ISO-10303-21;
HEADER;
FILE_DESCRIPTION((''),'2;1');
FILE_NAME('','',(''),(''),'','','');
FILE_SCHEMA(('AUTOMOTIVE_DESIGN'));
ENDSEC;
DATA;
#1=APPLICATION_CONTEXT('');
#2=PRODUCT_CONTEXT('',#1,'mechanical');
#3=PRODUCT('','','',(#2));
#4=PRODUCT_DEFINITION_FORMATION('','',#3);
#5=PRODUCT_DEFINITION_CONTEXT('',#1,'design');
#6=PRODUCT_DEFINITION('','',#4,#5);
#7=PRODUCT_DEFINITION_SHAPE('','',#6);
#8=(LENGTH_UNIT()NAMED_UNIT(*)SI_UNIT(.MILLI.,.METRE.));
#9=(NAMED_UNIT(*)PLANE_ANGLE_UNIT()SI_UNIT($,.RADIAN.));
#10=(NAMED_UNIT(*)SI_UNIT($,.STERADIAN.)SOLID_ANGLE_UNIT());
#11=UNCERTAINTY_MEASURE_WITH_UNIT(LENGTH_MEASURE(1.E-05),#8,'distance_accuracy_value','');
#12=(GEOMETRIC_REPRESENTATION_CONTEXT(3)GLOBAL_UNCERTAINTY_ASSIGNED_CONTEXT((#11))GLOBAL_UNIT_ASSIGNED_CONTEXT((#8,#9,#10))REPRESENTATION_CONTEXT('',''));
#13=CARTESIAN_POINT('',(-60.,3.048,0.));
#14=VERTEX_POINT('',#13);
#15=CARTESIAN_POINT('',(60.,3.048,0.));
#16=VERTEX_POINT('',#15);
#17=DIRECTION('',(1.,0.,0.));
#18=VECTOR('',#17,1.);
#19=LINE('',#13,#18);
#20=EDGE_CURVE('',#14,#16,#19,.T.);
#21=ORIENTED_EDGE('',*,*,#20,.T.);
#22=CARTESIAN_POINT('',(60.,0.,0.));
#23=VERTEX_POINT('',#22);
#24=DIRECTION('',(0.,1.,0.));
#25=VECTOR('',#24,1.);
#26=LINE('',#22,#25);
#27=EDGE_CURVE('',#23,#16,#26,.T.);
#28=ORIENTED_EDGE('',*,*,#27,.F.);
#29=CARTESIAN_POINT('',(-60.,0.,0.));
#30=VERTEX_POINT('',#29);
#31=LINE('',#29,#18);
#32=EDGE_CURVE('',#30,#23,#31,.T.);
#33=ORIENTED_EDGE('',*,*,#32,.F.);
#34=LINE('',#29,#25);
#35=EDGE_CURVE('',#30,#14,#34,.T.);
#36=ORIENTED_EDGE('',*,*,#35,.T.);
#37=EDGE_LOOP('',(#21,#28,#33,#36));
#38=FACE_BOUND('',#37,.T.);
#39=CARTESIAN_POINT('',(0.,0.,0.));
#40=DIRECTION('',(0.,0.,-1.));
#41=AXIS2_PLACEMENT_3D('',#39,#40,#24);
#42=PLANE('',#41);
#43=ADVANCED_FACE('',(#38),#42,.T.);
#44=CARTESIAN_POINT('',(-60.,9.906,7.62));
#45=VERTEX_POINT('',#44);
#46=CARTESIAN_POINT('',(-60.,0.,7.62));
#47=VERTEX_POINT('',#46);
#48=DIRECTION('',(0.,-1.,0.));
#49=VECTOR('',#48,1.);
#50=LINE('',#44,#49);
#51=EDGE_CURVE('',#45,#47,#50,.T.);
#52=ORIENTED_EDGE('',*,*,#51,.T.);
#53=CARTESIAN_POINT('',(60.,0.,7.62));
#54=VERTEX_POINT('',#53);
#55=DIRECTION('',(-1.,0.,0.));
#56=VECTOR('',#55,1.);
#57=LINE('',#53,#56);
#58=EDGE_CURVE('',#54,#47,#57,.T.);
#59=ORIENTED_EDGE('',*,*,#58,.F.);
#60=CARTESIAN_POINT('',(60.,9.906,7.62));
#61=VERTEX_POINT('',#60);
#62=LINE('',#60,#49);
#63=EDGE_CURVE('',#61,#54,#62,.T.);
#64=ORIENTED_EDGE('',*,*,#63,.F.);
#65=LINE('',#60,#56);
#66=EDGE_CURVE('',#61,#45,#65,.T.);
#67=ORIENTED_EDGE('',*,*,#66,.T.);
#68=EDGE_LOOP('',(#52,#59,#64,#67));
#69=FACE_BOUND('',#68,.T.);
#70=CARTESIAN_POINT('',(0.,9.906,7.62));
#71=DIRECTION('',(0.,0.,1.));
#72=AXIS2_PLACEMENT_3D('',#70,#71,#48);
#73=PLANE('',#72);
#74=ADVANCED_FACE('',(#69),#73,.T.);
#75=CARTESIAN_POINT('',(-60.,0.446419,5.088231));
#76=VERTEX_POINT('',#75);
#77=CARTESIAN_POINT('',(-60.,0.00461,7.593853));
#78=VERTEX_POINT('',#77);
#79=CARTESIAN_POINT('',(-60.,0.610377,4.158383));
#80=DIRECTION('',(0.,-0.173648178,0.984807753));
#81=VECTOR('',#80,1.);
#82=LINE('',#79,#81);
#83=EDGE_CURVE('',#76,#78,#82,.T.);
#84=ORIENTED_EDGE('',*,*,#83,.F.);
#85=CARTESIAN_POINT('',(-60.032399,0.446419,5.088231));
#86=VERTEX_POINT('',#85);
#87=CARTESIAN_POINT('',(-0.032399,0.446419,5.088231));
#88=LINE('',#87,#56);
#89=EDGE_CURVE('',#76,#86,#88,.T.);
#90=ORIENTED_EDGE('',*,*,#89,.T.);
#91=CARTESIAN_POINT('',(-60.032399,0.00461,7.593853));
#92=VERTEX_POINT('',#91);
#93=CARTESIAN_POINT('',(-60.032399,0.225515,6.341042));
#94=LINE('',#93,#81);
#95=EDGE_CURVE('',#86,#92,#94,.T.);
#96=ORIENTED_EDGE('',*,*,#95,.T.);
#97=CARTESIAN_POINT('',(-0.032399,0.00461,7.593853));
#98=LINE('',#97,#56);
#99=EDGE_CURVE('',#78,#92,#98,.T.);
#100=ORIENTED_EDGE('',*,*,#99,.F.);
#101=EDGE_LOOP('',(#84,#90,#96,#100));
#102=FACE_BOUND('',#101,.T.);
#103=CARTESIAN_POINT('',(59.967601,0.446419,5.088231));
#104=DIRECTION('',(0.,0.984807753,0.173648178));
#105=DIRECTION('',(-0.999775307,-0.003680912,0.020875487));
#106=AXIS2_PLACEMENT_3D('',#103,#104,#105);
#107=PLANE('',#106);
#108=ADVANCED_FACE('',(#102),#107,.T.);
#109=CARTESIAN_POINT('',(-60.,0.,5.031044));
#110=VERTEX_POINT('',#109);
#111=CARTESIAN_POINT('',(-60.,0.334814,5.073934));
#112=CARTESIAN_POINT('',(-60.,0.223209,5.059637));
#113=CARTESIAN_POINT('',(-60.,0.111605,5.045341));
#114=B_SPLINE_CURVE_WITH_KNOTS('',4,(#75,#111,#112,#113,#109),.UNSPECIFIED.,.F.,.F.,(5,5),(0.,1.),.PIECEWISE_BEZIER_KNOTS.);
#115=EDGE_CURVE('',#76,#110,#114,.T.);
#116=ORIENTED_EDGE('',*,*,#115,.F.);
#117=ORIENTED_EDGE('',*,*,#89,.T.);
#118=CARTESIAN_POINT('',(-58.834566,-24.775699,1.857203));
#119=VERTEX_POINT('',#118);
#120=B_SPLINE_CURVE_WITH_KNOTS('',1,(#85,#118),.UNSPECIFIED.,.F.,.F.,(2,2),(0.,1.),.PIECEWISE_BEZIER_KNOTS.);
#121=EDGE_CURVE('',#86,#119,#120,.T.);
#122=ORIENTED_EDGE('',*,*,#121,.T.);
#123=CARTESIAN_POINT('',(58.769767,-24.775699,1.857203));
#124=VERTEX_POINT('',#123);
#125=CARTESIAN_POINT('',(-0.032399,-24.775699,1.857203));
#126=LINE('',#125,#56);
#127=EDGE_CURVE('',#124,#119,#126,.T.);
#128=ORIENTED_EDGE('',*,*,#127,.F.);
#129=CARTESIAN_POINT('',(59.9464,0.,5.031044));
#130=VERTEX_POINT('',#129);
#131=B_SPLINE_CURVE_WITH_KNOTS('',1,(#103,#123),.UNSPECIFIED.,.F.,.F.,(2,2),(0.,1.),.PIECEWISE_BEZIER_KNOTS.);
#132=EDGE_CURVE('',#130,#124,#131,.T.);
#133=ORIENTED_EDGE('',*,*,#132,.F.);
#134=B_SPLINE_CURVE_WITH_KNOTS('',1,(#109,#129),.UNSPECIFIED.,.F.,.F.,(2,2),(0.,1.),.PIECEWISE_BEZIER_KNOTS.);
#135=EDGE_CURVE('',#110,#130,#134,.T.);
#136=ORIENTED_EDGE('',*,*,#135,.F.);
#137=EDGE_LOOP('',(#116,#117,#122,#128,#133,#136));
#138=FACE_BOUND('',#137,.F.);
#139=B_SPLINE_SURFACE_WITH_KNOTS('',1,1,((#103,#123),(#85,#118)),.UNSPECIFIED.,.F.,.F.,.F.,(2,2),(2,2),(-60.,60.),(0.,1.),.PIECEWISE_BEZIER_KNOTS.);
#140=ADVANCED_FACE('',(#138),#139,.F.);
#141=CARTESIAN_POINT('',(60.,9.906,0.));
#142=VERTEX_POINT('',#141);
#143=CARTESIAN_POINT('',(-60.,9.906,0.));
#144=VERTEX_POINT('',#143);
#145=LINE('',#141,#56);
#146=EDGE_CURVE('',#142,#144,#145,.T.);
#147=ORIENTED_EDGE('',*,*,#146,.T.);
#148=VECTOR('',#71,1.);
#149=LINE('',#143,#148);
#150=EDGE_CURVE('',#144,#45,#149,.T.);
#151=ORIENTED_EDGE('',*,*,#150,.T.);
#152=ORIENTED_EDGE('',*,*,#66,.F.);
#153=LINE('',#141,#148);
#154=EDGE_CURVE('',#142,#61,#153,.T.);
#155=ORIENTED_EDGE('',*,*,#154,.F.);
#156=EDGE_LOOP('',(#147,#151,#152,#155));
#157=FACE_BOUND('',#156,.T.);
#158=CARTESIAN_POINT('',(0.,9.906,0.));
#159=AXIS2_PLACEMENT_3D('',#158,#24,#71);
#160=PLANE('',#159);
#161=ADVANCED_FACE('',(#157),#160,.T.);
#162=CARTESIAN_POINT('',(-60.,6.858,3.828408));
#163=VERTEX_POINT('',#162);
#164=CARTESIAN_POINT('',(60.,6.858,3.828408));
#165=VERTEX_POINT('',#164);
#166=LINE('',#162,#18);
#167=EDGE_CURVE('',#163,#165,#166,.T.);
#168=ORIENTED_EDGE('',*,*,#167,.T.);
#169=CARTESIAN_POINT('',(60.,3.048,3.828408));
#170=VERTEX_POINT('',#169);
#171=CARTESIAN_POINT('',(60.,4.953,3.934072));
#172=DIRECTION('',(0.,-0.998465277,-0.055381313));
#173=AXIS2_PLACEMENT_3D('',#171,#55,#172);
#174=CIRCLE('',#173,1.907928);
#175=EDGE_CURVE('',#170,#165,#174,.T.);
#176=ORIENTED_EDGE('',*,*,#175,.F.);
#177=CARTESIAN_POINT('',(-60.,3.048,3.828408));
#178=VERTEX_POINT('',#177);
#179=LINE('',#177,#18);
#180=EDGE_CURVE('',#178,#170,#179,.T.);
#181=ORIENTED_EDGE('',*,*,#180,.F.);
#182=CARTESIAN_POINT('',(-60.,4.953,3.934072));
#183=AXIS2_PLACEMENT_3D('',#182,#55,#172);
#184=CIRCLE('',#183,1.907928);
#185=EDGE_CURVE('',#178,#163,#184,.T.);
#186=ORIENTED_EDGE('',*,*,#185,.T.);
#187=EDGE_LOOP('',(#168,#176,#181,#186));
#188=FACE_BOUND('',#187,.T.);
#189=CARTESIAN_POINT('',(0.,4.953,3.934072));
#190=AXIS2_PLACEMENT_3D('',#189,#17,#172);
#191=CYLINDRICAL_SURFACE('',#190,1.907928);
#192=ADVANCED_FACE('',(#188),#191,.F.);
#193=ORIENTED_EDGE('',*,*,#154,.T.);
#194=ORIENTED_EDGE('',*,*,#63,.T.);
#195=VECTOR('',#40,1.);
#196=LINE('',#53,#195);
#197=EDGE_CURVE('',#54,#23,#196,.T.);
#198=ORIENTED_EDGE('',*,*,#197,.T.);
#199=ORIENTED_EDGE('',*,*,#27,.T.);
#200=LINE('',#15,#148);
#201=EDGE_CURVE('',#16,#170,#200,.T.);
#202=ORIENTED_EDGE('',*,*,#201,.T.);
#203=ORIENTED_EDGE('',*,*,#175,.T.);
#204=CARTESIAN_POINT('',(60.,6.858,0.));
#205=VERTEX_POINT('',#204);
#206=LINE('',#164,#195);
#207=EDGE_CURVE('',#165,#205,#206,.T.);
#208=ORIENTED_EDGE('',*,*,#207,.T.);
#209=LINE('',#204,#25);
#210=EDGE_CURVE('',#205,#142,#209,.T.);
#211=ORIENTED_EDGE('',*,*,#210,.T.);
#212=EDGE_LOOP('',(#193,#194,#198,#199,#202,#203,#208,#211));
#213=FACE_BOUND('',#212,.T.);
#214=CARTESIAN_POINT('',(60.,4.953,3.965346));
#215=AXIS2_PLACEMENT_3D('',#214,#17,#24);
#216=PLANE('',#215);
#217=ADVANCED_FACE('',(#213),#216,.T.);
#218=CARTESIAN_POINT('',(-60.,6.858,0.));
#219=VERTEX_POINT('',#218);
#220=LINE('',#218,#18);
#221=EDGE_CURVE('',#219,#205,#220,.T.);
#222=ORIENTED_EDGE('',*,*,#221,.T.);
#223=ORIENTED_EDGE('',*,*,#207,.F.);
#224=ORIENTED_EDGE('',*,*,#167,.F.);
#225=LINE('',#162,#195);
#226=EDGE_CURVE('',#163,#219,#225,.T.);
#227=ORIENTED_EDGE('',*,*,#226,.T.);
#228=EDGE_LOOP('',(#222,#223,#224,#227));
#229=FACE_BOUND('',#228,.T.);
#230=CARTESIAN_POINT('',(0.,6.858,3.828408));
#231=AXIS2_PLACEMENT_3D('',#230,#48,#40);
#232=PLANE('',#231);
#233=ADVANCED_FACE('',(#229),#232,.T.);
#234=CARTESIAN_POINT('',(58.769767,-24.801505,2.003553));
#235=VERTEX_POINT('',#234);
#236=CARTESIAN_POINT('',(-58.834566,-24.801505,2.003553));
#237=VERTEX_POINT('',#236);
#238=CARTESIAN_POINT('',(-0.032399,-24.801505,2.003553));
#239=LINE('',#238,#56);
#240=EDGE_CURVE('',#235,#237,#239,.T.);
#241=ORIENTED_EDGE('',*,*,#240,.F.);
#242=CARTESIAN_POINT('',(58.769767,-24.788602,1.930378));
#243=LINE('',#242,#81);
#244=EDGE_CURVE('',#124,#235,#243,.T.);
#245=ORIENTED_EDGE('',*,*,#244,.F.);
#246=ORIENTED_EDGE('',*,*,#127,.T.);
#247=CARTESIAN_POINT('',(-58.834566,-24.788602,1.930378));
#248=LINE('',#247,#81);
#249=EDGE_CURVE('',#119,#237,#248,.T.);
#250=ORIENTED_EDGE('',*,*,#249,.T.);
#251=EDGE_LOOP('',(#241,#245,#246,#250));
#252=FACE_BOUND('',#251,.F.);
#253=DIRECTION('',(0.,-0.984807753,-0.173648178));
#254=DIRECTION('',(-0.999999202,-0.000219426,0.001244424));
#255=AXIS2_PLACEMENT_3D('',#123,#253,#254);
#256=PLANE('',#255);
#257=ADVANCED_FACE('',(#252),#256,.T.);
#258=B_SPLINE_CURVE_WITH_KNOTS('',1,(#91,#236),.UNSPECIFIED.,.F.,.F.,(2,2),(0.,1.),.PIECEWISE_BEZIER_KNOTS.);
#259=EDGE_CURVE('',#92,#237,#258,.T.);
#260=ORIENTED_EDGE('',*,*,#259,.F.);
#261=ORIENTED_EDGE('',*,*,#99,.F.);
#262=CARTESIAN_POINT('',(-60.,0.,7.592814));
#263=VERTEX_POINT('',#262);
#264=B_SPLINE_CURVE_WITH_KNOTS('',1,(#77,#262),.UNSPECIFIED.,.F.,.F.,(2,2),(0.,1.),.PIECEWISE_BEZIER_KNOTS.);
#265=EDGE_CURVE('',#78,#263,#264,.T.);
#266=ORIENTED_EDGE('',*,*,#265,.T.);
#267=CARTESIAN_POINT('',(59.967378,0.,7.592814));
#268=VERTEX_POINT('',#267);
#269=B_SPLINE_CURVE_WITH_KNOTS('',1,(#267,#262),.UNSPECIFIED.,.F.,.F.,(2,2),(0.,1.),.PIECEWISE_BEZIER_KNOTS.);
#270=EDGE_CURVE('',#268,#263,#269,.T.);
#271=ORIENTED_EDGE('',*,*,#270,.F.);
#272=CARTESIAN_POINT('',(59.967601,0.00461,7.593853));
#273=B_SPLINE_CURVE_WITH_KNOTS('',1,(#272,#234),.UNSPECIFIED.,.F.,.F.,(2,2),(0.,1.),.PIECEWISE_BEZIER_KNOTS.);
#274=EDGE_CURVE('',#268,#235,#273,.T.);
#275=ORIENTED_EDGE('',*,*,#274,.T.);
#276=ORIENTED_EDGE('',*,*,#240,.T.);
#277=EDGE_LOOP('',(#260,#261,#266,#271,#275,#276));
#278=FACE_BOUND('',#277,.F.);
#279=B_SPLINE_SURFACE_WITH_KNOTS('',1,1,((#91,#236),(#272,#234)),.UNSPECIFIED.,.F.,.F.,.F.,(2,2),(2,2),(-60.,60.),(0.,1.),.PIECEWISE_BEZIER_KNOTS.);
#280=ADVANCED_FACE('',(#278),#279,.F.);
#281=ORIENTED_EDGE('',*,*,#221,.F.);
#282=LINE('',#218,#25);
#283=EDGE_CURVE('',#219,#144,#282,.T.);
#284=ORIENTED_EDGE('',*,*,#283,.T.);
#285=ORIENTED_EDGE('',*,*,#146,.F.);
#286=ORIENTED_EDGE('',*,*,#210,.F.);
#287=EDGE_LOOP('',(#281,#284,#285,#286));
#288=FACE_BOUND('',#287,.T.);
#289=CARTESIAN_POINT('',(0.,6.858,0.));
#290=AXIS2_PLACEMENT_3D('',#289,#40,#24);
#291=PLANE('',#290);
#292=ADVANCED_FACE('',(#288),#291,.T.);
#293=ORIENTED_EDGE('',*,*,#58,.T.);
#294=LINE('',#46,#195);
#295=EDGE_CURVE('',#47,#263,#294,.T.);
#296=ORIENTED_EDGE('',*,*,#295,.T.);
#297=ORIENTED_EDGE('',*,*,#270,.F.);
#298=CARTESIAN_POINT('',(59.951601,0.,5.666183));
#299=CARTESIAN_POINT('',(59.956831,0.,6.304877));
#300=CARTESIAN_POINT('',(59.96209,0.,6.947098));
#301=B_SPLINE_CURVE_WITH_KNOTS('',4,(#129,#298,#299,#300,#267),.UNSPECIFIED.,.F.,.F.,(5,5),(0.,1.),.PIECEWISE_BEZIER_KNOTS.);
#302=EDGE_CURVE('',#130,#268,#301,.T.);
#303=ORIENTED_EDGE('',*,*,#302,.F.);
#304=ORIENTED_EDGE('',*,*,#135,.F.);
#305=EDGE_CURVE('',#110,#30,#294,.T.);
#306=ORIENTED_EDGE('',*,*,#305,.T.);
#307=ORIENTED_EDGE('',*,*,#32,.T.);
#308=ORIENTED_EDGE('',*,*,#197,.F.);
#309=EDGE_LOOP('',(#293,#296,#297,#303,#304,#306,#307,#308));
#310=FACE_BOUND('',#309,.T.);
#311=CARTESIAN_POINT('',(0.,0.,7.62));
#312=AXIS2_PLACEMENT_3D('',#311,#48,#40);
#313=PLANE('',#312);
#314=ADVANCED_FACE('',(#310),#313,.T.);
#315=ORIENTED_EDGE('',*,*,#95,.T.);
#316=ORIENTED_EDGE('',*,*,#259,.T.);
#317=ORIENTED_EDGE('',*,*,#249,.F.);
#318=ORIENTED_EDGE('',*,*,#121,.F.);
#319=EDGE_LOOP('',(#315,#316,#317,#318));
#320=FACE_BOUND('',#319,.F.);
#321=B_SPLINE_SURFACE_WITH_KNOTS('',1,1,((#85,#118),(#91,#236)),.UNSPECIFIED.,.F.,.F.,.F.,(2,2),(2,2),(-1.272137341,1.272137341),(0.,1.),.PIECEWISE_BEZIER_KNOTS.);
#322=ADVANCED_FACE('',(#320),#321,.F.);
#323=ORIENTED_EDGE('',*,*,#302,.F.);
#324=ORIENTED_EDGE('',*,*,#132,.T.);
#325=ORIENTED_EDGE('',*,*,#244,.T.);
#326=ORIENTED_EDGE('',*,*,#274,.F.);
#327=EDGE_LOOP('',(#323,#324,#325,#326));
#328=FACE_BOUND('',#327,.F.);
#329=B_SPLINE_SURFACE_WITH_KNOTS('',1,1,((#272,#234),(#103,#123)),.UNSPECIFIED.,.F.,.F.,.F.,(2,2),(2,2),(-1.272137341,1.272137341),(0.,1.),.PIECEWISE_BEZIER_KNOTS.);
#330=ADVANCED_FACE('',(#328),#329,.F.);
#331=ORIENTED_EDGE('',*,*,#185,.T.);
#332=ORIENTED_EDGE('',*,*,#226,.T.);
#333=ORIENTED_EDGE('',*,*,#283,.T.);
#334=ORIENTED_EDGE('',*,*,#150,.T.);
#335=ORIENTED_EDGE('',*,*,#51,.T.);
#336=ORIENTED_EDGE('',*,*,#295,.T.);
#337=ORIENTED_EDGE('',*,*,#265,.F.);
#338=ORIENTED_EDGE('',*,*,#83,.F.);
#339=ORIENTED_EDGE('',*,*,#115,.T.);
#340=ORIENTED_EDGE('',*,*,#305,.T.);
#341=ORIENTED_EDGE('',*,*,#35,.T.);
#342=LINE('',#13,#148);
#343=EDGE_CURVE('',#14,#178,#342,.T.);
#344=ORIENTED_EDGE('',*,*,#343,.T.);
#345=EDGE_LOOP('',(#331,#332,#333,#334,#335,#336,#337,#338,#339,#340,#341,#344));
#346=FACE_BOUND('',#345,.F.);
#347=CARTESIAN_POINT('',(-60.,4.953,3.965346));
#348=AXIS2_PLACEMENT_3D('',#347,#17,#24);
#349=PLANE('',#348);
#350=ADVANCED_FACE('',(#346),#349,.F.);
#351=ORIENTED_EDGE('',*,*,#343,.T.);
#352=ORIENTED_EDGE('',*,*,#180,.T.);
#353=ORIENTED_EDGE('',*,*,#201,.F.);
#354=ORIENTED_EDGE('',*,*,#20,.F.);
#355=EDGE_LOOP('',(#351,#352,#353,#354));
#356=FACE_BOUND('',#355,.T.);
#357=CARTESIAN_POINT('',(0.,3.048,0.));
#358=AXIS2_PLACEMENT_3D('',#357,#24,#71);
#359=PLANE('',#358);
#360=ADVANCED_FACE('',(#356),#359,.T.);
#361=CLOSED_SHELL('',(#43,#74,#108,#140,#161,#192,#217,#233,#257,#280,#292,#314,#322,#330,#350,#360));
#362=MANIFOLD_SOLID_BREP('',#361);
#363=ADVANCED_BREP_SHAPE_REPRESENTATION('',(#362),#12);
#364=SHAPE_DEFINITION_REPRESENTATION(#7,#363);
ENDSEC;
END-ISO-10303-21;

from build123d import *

# Parameters (mm, degrees)
F1_DEPTH = 60
F3_W     = 120
F3_H     = 2.5442746818
F4_DEPTH = 25.4
F4_TAPER = 2.7


with BuildPart() as f1:
    # F0 (on Right) → F1 (new body, symmetric)
    with BuildSketch(Plane.YZ):
        with BuildLine():
            Line((0, 7.62), (0, 0))
            Line((0, 0), (3.048, 0))
            Line((3.048, 0), (3.048, 3.8284082947))
            ThreePointArc((3.048, 3.8284082947), (4.953, 5.842), (6.858, 3.8284082947))
            Line((6.858, 3.8284082947), (6.858, 0))
            Line((6.858, 0), (9.906, 0))
            Line((9.906, 0), (9.906, 7.62))
            Line((9.906, 7.62), (0, 7.62))
        make_face()
    extrude(amount=F1_DEPTH, both=True)

    # F3 (on face) → F4 (join)
    with BuildSketch(Plane(origin=(0, 1.3030967461, 0.2297711148), x_dir=(-1, 0, 0), z_dir=(0, 0.984807753, 0.1736481777))):
        with Locations((0.0323992264, 6.2055471144)):
            Rectangle(F3_W, F3_H)
    extrude(amount=-F4_DEPTH, taper=F4_TAPER)


solid = f1.part
